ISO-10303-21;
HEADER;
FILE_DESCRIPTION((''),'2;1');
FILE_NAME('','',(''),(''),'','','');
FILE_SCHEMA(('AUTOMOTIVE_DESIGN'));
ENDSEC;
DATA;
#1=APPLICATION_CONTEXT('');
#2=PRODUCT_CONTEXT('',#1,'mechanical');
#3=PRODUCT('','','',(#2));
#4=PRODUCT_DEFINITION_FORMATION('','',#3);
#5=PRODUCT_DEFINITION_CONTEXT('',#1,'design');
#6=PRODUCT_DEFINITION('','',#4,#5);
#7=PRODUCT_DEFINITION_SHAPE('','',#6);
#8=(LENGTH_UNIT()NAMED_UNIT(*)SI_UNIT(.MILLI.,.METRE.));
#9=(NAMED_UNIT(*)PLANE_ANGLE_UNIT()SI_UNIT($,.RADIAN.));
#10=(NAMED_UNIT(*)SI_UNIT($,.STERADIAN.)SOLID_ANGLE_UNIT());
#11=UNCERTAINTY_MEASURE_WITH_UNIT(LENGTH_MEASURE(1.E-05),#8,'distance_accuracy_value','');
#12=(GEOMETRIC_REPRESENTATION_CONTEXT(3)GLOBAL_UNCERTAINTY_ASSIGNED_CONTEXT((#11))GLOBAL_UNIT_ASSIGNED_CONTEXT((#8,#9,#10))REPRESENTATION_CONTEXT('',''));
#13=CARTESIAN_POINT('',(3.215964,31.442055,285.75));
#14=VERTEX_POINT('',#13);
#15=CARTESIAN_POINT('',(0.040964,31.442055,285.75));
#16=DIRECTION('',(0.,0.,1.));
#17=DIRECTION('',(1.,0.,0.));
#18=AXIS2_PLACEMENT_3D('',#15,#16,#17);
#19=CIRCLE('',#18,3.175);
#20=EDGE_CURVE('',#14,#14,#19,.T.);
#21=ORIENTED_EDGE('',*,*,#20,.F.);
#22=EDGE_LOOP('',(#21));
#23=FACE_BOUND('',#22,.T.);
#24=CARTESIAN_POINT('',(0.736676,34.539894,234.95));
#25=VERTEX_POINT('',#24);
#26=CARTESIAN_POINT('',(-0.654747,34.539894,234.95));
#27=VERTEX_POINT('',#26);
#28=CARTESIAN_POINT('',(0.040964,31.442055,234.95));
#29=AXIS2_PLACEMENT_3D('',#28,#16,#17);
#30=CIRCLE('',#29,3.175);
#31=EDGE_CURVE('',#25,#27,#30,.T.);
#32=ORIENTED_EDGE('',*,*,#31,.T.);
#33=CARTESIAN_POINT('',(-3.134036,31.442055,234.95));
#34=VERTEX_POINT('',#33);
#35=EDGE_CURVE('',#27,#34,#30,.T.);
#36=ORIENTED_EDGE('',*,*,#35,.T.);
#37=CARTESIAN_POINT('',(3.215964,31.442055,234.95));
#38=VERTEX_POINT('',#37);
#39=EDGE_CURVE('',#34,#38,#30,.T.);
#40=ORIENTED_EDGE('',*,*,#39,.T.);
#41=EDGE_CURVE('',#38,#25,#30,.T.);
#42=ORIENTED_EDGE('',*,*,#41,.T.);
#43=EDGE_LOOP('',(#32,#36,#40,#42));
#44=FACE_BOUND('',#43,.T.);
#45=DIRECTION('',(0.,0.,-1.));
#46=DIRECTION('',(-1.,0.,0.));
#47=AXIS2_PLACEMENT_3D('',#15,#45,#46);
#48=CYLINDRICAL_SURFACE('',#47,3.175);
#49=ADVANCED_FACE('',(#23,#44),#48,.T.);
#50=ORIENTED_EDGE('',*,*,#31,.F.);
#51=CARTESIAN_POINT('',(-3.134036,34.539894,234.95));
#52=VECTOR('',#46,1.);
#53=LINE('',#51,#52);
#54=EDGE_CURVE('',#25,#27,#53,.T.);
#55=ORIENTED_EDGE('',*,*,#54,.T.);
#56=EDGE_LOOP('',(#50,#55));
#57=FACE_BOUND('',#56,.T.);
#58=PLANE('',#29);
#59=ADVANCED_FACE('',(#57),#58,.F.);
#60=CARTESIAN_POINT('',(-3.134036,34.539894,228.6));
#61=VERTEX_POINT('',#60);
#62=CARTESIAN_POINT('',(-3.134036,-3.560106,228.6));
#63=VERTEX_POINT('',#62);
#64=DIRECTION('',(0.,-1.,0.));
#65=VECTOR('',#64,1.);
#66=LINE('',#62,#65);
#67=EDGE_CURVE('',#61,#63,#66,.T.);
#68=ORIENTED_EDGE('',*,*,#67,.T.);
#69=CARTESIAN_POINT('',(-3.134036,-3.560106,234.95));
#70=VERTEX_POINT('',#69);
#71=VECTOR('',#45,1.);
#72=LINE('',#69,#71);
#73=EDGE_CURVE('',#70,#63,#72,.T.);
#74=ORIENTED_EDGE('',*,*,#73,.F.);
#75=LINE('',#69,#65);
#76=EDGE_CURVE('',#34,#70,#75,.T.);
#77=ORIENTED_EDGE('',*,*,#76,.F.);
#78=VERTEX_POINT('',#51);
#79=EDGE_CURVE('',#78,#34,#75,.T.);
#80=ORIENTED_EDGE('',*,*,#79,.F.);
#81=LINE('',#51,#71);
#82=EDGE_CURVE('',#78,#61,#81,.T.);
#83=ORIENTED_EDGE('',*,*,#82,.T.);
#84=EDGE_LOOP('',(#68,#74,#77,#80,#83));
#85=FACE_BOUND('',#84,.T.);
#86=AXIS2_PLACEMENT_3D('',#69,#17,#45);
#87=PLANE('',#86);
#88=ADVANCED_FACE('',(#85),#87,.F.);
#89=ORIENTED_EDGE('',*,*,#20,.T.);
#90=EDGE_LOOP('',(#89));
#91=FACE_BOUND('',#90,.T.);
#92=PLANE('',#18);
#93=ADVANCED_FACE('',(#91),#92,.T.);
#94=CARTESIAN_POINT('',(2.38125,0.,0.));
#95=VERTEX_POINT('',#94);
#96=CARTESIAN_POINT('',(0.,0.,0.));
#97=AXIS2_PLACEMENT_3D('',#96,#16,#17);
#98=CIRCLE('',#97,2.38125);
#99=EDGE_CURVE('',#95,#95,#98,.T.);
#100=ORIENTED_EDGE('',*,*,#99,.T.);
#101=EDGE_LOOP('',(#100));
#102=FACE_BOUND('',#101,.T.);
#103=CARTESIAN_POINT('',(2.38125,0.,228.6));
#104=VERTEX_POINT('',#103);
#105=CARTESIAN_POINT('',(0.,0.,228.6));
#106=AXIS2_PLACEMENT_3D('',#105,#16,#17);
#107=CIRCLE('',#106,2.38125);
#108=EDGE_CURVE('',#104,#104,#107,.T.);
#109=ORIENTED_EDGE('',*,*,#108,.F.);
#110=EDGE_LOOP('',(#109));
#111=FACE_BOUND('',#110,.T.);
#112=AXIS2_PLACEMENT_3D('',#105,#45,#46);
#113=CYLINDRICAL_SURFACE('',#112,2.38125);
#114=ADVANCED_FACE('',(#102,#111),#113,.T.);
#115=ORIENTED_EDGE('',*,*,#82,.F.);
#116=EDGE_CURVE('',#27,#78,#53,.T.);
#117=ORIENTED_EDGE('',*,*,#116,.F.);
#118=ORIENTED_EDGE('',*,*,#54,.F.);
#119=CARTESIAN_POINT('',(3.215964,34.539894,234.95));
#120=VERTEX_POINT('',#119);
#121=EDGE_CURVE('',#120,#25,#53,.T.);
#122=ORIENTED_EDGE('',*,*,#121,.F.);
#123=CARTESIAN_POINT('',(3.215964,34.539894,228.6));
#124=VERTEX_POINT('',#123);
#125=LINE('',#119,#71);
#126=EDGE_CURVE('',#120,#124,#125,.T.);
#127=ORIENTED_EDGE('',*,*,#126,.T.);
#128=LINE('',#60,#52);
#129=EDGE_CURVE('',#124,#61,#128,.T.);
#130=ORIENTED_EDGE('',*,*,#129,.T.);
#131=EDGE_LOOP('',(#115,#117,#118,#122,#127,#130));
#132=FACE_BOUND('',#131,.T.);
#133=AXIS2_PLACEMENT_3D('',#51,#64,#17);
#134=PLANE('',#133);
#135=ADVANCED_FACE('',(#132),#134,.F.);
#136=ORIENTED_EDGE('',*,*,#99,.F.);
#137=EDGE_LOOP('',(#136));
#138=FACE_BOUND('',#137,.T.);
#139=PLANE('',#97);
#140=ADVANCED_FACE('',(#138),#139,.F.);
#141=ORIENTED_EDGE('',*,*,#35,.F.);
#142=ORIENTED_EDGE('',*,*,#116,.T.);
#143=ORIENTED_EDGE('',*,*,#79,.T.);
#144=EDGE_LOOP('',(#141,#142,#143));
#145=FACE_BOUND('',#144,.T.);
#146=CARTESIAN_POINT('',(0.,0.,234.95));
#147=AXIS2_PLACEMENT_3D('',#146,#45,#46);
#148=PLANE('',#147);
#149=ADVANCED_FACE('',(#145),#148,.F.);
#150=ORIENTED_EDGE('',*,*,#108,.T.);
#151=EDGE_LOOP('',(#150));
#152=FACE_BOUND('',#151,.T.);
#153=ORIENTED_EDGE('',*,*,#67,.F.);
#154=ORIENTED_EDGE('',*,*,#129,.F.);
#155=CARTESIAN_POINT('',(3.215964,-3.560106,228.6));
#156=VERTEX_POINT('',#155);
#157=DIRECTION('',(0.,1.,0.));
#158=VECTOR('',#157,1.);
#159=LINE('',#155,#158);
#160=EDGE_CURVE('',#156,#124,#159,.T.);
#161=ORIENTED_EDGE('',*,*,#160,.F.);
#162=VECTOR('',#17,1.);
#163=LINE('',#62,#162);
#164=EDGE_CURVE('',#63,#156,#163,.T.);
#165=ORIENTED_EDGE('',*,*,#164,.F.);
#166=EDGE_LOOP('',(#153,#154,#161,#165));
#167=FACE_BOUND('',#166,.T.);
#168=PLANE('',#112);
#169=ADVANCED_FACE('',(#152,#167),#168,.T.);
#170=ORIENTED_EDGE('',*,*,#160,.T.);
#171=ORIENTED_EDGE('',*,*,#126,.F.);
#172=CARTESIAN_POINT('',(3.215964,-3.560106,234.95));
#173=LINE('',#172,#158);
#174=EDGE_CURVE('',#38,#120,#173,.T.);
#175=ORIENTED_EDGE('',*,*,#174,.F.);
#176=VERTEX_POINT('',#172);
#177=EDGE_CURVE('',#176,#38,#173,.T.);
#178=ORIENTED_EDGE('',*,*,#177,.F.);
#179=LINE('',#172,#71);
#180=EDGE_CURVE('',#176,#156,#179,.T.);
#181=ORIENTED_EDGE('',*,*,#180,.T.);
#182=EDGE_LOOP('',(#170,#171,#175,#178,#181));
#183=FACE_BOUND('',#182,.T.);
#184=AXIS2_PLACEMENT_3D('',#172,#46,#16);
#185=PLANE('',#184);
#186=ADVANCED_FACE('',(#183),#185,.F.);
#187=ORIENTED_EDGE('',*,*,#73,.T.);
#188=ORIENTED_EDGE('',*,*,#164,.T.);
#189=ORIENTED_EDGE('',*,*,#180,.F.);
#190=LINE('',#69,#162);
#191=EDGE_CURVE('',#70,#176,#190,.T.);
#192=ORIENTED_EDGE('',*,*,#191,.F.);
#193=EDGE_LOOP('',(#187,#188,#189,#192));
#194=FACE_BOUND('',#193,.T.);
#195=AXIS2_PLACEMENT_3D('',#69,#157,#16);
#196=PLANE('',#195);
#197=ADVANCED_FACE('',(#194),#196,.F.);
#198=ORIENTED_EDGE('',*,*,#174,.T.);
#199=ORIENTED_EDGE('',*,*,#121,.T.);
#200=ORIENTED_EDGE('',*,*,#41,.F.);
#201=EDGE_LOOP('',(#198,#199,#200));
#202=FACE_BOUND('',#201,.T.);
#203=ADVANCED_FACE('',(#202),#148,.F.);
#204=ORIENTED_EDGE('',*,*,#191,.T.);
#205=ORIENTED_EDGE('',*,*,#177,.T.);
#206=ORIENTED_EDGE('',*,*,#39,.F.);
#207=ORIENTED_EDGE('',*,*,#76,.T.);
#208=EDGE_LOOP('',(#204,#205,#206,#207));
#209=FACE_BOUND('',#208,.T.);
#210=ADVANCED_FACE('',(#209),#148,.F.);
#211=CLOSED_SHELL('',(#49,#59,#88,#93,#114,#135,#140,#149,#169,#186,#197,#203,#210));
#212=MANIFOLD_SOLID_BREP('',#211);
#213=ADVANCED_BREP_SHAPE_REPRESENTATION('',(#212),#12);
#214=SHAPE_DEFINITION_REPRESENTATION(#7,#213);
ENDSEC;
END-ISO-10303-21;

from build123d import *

# Parameters (mm, degrees)
SKETCH1_R           = 2.38125
BOSS_EXTRUDE1_DEPTH = 228.6
SKETCH2_W           = 6.35
SKETCH2_H           = 38.1
BOSS_EXTRUDE2_DEPTH = 6.35
SKETCH3_R           = 3.175
BOSS_EXTRUDE3_DEPTH = 50.8


with BuildPart() as part:
    # Sketch1 → Boss-Extrude1 (new body)
    with BuildSketch(Plane.XY):
        Circle(SKETCH1_R)
    extrude(amount=BOSS_EXTRUDE1_DEPTH)

    # Sketch2 → Boss-Extrude2 (add)
    with BuildSketch(Plane.XY.offset(228.6)):
        with Locations((0.040964163, 15.489894183)):
            Rectangle(SKETCH2_W, SKETCH2_H)
    extrude(amount=BOSS_EXTRUDE2_DEPTH)

    # Sketch3 → Boss-Extrude3 (add)
    with BuildSketch(Plane.XY.offset(234.95)):
        with Locations((0.040964163, 31.442054565)):
            Circle(SKETCH3_R)
    extrude(amount=BOSS_EXTRUDE3_DEPTH)


solid = part.part
